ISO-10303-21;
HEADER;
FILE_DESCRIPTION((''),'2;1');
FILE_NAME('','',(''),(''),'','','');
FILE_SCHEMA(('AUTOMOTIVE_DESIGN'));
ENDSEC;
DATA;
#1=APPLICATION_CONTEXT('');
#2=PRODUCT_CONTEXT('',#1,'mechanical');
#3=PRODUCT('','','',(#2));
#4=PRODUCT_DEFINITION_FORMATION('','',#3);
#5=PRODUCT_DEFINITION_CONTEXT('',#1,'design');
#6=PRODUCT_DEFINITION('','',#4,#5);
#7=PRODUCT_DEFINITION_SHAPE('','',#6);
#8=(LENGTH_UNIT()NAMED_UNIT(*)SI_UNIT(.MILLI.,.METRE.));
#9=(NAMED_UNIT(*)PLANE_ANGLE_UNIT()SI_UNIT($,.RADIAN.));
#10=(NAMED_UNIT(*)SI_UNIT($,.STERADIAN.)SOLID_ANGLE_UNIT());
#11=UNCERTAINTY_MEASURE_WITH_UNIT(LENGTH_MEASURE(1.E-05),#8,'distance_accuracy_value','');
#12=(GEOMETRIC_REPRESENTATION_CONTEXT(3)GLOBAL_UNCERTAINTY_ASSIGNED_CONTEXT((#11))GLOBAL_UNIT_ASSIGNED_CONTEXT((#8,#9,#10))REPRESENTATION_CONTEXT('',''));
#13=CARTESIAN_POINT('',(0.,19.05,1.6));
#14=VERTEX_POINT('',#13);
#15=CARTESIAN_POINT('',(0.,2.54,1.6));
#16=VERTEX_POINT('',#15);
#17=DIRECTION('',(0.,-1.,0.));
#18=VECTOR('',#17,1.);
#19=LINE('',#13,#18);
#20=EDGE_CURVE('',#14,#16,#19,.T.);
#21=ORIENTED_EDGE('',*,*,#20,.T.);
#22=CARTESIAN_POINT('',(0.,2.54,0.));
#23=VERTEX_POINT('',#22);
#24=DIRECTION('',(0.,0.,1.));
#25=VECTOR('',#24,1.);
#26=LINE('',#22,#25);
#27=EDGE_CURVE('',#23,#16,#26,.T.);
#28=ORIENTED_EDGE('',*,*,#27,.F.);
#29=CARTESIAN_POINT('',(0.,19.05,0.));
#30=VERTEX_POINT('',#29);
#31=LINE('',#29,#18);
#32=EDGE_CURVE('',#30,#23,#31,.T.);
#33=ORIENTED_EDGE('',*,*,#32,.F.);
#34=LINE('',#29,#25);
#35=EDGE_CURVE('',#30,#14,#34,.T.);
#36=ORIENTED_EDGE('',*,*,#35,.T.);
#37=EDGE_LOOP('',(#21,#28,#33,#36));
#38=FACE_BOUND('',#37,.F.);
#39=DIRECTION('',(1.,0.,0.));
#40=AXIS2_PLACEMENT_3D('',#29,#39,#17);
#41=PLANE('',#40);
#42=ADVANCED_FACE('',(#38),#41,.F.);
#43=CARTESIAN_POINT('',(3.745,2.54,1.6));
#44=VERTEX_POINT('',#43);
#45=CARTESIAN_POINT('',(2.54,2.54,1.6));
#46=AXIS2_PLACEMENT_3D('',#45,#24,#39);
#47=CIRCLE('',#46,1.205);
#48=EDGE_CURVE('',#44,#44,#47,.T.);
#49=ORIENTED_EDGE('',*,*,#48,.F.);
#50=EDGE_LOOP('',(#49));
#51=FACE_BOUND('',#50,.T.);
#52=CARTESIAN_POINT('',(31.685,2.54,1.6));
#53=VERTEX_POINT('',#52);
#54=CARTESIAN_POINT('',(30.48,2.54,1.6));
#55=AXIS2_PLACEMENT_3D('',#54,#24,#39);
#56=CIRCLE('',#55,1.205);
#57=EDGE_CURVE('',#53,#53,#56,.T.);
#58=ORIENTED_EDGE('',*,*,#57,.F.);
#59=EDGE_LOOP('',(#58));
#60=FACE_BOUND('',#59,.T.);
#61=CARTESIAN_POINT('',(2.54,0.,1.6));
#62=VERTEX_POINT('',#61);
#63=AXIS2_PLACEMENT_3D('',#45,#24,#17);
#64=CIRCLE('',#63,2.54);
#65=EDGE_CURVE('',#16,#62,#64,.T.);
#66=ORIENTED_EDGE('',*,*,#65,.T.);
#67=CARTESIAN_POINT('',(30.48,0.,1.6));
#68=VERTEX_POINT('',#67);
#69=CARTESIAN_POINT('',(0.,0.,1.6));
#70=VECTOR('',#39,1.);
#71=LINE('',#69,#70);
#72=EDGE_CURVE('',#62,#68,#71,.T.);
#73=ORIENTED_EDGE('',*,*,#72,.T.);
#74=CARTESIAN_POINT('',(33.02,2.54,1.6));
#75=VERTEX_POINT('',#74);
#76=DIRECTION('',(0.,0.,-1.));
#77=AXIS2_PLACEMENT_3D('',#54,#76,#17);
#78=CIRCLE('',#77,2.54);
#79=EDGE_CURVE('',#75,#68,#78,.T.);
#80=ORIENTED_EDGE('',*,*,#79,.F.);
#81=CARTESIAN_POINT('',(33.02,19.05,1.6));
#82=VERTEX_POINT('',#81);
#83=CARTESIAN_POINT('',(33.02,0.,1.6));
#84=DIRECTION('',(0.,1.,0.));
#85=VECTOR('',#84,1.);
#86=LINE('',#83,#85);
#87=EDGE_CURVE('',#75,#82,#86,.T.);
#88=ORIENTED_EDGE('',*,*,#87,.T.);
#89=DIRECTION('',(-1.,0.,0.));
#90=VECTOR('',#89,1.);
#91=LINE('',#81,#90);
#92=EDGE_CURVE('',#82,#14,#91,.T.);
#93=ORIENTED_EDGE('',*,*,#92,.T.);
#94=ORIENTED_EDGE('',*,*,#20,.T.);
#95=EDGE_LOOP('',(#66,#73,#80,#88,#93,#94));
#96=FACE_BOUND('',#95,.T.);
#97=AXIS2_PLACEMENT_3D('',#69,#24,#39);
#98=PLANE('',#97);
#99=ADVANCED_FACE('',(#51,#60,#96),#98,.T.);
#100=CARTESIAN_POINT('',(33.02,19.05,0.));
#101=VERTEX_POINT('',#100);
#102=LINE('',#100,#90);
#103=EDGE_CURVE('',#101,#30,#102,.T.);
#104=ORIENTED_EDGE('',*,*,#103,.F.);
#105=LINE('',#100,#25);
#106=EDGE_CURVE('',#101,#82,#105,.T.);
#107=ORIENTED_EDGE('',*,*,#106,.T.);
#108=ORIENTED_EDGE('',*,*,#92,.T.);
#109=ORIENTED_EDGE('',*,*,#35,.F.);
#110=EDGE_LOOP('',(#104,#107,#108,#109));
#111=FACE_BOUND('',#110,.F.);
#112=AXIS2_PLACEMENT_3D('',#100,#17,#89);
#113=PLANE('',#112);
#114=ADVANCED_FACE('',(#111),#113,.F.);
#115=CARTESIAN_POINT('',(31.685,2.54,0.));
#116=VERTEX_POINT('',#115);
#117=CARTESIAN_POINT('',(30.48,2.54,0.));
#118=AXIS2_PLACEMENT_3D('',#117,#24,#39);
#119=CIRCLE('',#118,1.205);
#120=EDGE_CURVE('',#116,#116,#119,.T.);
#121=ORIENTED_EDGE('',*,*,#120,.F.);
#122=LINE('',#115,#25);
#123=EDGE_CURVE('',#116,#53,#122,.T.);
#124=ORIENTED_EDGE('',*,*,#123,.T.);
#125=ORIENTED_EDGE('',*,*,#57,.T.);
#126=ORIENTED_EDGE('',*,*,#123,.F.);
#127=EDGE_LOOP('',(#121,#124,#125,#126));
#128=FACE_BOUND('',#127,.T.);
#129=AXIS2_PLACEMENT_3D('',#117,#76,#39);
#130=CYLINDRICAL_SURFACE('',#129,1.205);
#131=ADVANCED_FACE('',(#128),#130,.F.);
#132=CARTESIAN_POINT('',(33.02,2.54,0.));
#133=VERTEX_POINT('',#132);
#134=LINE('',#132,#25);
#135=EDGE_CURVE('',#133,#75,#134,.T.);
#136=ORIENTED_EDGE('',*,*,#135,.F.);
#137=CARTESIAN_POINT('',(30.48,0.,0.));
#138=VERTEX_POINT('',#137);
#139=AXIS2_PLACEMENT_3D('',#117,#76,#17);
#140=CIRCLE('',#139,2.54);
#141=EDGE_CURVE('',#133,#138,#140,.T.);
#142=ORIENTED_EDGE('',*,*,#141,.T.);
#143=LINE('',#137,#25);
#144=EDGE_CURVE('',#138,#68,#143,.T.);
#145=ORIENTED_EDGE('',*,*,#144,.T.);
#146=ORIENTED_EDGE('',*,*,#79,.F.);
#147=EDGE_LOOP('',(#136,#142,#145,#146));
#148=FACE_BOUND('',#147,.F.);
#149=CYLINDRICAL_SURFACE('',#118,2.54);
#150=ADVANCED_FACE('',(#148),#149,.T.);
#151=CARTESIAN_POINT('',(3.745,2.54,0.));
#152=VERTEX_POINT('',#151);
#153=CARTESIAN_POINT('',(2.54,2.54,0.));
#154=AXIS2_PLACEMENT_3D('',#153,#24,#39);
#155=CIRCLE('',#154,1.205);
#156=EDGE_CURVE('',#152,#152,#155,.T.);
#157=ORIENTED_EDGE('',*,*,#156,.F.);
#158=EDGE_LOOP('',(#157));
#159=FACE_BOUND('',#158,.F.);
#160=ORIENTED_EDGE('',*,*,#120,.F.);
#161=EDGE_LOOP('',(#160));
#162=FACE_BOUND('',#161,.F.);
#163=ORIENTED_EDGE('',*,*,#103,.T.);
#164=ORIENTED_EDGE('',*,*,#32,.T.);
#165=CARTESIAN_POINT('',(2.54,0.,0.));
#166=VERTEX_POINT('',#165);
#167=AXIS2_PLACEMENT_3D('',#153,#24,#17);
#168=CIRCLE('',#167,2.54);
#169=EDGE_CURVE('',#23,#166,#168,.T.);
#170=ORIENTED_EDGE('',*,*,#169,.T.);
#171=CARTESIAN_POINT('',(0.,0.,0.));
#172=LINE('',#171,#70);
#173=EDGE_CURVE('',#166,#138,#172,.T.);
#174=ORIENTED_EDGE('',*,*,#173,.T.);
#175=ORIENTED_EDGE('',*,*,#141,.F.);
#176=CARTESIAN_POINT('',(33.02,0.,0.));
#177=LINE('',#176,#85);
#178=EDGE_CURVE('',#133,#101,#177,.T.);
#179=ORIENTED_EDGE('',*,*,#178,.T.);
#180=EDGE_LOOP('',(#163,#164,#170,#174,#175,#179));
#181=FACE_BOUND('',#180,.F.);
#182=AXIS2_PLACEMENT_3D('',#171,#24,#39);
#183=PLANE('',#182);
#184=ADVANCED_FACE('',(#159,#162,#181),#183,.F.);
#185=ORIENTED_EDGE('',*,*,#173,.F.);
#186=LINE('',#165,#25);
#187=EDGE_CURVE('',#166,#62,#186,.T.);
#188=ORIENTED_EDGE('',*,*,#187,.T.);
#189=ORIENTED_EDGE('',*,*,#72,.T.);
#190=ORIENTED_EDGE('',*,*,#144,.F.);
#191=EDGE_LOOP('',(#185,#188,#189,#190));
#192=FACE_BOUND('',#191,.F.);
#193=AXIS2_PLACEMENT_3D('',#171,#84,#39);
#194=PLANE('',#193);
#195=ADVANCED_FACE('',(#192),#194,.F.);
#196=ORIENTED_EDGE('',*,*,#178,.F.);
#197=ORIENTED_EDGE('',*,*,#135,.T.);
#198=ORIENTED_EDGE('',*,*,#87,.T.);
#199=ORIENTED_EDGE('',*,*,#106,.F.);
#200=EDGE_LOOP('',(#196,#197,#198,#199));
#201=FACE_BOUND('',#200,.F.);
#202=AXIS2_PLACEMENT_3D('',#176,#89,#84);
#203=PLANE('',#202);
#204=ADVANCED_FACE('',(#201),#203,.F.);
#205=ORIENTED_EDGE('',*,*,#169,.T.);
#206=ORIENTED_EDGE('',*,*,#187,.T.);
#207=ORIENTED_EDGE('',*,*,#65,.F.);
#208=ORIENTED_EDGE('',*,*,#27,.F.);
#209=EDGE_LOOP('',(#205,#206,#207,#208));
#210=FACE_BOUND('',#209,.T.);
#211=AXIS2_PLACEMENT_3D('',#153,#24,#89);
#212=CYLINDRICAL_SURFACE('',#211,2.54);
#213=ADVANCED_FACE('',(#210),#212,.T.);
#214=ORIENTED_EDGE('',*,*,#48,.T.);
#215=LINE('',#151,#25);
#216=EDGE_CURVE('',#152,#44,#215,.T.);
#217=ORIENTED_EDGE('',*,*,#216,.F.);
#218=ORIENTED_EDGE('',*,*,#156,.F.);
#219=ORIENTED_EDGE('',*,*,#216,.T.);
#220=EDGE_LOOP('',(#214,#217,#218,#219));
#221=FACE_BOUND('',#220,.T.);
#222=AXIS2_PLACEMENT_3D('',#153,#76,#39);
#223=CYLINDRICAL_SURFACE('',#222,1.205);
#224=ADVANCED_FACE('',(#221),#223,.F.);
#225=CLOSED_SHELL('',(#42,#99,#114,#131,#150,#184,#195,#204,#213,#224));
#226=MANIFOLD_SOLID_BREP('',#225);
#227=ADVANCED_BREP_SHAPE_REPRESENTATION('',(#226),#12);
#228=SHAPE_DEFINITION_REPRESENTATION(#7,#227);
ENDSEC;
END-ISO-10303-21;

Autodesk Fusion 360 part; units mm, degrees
sketch "Sketch1" plane through (0, 0, 0) normal (0, 0, 1) x (1, 0, 0)
  line L0 (0, 0) -> (33.02, 0)
  line L1 (33.02, 0) -> (33.02, 19.05)
  line L2 (33.02, 19.05) -> (0, 19.05)
  line L3 (0, 19.05) -> (0, 0)
  circle A0 centre (30.48, 2.54) radius 1.205
  line L4 (16.51, 19.05) -> (16.51, 0) construction
  line L5 (0, 9.525) -> (33.02, 9.525) construction
  circle A1 centre (2.54, 2.54) radius 1.205
  dimension "d1" = 33.02
  dimension "d2" = 19.05
  dimension "d3" = 2.41
  dimension "d4" = 2.54
  dimension "d5" = 30.48
extrude "Extrude1" add sketch "Sketch1" along normal blind 1.6
fillet "Fillet1" radius 2.54 2 edges at (0, 0, 0.8) (33.02, 0, 0.8)
